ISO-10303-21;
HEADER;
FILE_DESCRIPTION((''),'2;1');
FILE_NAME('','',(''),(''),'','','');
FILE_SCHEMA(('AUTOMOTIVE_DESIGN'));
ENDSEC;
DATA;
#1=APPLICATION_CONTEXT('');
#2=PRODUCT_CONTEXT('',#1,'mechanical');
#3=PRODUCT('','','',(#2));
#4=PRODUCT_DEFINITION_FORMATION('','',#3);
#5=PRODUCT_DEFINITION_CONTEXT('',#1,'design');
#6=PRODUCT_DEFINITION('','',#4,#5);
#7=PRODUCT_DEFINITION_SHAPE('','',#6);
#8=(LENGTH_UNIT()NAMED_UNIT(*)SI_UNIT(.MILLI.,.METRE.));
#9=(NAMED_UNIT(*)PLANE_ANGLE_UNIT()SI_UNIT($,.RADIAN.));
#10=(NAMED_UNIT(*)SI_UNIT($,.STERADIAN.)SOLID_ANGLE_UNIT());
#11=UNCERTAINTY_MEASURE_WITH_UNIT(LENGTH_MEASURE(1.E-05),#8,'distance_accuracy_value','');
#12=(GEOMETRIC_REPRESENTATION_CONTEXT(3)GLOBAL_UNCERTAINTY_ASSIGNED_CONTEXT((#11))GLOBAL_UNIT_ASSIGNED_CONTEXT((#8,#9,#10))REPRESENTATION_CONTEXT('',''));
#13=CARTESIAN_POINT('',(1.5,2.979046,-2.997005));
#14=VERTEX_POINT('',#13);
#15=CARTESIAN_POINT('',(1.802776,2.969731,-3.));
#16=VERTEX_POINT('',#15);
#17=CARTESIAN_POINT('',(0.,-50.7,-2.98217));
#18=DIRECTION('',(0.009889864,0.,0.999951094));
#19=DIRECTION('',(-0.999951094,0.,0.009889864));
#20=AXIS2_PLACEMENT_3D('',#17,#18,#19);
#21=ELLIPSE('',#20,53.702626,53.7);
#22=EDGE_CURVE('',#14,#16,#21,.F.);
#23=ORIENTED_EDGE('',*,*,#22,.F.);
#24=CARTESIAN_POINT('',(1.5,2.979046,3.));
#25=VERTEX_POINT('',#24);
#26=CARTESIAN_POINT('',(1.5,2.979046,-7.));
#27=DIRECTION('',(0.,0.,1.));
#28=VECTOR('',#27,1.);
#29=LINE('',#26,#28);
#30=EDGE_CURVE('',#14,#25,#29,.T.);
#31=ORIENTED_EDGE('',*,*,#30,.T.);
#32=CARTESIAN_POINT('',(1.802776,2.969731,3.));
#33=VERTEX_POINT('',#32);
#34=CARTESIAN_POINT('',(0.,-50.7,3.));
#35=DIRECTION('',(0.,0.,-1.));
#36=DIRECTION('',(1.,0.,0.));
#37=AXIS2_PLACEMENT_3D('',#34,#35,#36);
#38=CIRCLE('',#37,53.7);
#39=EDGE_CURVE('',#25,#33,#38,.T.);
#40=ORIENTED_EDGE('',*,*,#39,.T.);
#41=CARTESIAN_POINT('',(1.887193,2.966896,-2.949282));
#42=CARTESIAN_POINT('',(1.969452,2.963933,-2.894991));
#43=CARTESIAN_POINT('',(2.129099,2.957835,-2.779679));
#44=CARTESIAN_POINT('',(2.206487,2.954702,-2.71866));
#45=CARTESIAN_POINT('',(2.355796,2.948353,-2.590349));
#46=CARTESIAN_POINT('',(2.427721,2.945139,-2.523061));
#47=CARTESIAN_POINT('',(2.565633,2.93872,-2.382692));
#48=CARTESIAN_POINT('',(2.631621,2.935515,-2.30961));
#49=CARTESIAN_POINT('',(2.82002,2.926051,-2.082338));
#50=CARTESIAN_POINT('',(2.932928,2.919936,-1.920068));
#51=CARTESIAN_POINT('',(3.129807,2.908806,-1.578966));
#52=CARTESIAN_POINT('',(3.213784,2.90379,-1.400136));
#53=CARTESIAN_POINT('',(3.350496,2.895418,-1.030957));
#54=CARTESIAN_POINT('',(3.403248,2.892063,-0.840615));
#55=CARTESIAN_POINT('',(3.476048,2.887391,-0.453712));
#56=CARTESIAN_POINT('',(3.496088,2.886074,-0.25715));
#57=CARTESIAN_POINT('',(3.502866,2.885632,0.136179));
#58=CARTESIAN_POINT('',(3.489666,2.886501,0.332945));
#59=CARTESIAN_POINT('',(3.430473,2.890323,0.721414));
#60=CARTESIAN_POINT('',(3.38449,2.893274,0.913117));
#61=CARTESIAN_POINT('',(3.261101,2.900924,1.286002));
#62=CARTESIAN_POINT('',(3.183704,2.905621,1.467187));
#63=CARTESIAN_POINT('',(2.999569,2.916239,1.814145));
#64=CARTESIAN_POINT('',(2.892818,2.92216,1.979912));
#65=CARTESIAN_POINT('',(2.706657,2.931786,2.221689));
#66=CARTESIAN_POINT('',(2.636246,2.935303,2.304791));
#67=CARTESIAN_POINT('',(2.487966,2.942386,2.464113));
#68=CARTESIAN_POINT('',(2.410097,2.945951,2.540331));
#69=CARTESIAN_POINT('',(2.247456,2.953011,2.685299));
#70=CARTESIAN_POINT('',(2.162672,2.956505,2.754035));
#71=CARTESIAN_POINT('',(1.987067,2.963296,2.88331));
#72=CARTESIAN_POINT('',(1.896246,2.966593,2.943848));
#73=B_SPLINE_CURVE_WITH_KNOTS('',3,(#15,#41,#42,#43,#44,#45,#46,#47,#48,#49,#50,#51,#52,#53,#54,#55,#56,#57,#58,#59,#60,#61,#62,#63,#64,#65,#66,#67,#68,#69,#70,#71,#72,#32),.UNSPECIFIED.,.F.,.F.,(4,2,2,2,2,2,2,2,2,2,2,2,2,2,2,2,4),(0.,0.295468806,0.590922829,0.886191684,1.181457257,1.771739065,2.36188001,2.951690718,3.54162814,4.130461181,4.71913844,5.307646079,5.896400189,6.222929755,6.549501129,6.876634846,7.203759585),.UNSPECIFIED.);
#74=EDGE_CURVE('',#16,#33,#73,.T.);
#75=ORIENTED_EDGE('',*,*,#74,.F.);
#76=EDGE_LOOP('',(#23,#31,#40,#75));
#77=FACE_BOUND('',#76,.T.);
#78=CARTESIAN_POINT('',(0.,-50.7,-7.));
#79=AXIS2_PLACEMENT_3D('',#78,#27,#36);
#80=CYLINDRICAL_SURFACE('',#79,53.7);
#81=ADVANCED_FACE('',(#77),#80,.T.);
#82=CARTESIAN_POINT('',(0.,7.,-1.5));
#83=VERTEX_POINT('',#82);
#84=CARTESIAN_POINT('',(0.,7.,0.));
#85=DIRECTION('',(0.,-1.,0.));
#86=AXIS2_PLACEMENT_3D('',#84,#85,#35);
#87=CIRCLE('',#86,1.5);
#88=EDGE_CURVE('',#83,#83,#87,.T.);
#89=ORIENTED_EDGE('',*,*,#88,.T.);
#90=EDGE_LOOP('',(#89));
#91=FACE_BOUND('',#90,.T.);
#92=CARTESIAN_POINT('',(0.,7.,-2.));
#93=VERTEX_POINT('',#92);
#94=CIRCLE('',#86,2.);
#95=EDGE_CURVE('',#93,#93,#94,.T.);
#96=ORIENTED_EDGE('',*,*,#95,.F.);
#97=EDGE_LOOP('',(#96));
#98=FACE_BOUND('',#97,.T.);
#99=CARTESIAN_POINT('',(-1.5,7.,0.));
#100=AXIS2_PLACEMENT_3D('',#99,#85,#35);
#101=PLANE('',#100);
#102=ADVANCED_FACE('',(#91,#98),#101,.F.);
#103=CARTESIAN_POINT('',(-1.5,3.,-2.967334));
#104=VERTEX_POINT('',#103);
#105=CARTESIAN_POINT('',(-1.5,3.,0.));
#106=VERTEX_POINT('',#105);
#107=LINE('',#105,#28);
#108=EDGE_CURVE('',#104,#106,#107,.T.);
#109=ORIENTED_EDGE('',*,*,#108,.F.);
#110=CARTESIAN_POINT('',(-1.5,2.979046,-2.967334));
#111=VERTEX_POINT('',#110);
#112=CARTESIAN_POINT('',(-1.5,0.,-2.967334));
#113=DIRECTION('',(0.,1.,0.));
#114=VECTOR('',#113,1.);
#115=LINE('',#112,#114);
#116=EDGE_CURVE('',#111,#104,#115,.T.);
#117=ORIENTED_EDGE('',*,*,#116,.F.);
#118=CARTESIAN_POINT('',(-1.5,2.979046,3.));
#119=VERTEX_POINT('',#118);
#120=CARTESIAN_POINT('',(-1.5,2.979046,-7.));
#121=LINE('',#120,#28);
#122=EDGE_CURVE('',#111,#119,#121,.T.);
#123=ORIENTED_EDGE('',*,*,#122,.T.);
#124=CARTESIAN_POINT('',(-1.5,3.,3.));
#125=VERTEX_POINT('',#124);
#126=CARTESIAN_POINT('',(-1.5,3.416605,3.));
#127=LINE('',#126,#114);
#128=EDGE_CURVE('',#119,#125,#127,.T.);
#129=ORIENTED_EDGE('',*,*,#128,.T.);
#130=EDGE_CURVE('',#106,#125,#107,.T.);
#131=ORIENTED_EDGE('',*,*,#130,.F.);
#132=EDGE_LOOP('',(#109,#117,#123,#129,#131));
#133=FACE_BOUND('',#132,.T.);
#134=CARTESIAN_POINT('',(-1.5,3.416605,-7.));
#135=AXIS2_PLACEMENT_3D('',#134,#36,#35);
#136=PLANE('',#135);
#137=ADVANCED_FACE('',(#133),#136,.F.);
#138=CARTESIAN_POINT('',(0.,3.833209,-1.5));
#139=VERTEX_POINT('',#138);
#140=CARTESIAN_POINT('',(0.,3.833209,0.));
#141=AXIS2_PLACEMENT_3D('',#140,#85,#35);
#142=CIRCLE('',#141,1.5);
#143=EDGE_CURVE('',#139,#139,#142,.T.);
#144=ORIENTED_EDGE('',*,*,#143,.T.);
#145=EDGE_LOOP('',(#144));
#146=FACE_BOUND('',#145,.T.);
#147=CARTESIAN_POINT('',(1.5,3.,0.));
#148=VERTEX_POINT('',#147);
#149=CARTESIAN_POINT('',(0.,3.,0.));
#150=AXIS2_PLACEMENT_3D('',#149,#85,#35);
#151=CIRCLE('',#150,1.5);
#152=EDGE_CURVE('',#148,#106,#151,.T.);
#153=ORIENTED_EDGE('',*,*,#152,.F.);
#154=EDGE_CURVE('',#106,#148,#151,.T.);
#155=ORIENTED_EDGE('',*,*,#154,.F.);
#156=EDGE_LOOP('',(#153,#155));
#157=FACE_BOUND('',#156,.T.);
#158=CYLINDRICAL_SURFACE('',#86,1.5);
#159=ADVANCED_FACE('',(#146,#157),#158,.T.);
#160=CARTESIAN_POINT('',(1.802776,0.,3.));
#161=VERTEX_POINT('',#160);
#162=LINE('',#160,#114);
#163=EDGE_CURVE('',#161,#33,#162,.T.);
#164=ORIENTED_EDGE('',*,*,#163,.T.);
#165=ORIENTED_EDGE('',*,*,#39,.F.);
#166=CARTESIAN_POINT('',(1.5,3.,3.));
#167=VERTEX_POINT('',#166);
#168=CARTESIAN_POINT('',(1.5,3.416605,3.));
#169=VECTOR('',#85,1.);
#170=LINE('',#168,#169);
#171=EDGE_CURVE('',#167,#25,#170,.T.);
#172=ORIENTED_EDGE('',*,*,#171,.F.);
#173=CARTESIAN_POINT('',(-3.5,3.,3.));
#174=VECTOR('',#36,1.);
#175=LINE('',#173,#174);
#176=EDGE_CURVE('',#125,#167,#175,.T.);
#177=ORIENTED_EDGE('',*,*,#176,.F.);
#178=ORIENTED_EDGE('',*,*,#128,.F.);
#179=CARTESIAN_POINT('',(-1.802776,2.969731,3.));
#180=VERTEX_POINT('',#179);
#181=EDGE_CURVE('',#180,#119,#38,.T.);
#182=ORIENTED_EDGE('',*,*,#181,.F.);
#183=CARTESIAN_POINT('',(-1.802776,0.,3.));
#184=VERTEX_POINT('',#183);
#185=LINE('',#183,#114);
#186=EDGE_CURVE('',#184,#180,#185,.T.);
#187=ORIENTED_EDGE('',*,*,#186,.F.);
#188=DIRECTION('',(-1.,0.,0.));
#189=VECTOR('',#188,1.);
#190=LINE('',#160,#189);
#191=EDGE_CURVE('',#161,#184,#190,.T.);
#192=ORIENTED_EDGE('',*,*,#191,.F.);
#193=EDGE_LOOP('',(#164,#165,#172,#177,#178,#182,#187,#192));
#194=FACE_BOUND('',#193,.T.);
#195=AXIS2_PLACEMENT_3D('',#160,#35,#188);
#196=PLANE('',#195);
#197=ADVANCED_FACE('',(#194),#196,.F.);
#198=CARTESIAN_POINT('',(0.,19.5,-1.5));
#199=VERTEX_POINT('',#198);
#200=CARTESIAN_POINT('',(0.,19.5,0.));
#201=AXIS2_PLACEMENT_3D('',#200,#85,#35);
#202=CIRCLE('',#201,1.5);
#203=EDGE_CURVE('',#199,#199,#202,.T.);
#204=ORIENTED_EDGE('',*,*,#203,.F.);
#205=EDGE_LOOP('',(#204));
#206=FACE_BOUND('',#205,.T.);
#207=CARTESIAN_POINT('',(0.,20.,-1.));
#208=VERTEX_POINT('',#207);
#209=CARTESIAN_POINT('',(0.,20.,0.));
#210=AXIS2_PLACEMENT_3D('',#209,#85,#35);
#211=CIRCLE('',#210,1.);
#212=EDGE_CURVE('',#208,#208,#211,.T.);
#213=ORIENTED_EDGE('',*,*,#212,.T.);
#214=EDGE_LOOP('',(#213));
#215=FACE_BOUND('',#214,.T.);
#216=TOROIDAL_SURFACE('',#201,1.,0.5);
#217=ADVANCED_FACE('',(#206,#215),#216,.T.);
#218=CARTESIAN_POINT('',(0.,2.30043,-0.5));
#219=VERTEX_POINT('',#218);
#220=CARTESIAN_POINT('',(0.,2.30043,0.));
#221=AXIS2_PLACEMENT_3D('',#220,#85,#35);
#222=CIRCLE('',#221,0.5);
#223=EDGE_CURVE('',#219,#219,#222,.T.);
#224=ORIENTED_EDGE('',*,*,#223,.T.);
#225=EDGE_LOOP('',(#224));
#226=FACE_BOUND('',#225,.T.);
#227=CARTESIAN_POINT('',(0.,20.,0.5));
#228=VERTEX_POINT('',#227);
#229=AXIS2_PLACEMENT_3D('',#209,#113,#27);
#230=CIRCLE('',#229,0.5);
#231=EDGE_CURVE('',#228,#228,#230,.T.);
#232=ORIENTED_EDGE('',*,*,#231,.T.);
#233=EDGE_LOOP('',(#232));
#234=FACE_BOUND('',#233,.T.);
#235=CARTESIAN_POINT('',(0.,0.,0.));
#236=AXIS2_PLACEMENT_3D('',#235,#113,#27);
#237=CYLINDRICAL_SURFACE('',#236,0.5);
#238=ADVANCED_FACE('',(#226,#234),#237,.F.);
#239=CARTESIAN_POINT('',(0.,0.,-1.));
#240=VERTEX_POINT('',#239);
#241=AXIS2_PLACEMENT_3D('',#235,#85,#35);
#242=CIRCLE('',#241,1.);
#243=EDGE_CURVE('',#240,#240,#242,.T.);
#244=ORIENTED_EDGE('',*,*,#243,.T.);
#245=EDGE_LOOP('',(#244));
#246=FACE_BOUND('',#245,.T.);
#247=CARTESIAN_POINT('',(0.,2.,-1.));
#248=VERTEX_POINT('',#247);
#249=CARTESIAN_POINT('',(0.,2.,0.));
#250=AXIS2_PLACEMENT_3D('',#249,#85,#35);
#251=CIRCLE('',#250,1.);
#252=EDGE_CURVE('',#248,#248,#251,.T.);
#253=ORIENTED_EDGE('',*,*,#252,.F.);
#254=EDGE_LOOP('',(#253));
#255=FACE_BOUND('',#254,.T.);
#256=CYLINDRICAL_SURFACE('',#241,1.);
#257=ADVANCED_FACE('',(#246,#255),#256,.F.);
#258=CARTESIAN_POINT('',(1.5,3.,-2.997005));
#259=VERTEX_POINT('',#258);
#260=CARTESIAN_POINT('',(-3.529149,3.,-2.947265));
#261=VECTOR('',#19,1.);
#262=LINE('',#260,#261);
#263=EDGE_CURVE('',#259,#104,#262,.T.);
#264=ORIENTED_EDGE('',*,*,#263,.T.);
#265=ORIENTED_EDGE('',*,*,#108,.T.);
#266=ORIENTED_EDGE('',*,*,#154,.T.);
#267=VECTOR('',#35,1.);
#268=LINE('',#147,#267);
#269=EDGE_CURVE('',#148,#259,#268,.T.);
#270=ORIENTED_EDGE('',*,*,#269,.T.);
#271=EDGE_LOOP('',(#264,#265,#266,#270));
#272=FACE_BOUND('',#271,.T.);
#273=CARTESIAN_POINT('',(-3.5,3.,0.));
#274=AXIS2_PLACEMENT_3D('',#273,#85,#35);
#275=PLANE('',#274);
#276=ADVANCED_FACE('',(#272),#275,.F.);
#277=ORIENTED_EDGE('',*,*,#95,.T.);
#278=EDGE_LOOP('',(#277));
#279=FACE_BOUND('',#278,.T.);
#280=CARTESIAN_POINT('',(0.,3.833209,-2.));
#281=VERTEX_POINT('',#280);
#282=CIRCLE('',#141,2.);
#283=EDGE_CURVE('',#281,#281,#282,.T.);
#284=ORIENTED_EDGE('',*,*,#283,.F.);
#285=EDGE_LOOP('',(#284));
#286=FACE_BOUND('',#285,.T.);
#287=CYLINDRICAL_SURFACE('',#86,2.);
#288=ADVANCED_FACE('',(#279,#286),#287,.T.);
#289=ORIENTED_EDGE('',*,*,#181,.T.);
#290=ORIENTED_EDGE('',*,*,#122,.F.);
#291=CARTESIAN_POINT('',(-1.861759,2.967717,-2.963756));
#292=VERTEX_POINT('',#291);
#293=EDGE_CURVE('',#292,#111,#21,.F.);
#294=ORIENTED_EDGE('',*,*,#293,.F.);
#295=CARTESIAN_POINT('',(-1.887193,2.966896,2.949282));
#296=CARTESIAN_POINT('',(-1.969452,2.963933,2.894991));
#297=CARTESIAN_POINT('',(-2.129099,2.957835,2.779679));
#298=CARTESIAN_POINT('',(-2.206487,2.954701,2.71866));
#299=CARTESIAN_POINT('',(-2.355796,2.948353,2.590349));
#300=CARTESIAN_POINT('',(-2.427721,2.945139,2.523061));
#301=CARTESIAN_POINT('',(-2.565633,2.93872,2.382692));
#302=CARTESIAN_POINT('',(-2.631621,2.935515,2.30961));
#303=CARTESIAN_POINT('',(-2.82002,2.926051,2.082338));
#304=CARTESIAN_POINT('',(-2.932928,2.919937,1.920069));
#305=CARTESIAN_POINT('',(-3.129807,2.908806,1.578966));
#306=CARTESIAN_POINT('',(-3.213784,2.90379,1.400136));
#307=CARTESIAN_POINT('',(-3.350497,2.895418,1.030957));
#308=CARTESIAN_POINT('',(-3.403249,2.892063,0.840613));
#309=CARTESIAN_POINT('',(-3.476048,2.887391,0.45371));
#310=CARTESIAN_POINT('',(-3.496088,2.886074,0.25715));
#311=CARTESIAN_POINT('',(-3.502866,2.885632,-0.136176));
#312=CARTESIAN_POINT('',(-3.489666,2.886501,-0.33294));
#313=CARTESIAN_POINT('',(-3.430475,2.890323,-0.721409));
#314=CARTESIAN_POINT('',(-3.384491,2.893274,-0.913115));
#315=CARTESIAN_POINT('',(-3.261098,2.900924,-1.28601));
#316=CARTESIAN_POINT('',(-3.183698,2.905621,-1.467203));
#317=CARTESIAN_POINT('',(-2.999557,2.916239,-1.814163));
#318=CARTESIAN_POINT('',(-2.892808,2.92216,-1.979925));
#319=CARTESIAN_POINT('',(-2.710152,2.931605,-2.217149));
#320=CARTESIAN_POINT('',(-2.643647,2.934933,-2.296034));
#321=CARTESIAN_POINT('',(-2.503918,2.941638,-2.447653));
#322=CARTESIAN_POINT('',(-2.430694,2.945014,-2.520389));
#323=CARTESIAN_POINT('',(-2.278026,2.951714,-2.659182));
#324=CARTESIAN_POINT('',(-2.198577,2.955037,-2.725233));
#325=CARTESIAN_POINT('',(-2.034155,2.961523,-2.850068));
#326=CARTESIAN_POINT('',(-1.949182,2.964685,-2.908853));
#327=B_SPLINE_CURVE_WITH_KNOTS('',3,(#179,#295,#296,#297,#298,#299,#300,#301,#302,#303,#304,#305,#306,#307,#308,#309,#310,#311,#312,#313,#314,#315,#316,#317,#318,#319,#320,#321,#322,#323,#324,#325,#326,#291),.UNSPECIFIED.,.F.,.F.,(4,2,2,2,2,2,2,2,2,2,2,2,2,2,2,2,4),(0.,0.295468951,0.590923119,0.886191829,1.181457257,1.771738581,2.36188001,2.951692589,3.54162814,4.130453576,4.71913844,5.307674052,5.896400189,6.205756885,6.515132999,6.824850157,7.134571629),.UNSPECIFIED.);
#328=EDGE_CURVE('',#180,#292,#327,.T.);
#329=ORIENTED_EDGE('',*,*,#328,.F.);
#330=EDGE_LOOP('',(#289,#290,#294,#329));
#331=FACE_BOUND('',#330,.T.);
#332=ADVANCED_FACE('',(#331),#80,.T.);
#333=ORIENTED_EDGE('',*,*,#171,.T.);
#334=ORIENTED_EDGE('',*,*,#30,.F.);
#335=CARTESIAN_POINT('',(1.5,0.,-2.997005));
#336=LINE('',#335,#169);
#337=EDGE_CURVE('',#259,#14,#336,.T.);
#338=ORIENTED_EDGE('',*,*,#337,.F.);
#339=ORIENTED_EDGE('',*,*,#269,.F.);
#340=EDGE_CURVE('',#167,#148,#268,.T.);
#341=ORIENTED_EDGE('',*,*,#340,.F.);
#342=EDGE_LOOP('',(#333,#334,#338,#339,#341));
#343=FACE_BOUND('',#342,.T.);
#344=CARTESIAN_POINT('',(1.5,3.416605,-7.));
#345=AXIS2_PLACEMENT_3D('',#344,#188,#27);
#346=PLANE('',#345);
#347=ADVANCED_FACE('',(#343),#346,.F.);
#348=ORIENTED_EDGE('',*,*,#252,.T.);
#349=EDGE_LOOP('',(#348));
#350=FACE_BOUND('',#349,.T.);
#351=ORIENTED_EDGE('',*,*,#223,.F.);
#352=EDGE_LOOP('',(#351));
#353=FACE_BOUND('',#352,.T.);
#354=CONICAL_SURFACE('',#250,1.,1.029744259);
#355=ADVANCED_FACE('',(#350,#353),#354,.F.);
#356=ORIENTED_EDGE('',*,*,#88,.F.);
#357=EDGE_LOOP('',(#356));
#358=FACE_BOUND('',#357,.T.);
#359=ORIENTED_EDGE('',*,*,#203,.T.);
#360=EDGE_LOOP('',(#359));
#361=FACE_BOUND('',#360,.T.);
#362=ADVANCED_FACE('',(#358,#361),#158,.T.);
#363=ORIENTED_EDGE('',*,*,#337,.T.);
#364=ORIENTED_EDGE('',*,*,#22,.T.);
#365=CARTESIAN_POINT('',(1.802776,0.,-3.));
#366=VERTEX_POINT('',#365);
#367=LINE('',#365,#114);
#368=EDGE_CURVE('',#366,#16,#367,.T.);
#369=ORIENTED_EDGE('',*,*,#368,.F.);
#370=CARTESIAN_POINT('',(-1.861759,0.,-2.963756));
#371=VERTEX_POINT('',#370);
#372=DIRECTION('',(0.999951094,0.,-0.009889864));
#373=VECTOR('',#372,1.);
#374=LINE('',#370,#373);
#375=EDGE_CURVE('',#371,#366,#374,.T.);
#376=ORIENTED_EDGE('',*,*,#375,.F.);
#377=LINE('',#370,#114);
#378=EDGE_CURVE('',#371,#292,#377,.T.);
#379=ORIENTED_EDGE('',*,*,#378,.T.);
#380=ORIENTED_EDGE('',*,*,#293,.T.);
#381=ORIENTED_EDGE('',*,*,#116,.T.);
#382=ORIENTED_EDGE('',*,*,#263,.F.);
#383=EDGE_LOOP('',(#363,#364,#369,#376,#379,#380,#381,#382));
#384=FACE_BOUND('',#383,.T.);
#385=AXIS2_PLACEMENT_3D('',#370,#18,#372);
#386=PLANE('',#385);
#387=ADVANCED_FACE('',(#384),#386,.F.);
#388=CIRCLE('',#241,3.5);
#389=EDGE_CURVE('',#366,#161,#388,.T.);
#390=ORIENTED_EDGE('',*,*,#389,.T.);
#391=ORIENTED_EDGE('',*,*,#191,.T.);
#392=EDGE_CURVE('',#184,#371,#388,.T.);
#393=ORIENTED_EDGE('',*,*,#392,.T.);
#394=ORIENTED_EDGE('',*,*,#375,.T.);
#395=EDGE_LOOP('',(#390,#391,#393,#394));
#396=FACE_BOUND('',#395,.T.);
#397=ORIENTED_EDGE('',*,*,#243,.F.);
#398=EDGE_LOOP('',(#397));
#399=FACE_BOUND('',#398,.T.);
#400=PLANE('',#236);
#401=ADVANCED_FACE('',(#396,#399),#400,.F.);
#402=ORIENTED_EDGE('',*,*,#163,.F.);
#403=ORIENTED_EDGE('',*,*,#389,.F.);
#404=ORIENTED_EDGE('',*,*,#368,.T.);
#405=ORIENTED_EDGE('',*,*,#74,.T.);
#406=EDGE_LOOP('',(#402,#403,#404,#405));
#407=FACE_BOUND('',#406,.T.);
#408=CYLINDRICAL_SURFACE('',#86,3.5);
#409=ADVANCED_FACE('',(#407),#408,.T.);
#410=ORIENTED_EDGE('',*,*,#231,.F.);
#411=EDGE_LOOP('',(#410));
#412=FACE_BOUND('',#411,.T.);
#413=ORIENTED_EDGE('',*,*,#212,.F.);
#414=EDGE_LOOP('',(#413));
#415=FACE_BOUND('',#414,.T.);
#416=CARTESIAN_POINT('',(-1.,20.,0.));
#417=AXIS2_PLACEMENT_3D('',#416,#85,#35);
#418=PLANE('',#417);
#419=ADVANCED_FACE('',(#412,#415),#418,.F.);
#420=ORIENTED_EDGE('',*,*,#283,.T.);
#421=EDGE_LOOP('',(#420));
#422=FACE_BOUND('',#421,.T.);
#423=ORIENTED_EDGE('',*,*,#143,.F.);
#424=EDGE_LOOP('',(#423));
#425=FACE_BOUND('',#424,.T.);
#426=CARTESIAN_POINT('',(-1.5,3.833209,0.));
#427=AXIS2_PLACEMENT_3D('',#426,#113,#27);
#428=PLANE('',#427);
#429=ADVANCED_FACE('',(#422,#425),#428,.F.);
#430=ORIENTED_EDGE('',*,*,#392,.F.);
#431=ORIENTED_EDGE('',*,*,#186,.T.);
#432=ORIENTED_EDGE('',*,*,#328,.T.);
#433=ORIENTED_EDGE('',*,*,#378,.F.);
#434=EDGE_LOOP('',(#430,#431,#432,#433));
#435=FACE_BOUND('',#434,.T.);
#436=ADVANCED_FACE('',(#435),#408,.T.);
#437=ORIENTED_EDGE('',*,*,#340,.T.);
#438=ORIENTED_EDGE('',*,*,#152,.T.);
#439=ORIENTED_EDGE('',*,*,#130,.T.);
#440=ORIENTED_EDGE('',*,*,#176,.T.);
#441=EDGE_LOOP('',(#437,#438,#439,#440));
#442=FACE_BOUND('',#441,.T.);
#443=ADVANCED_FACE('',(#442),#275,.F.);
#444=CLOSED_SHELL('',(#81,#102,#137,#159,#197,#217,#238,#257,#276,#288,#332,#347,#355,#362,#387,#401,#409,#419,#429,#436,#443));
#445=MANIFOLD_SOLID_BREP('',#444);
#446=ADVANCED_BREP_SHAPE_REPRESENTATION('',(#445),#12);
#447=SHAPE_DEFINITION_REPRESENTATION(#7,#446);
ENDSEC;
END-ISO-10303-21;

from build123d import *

# Parameters (mm, degrees)
SKETCH2_R                 = 0.5
CUT_EXTRUDE2_DEPTH        = 21.603397778
F_2_0MM_DOWEL_HOLE1_D     = 2
F_2_0MM_DOWEL_HOLE1_DEPTH = 2
F_2_0MM_DOWEL_HOLE1_TIP   = 0.600860619
CUT_EXTRUDE3_DEPTH        = 21.603397778
CUT_EXTRUDE4_DEPTH        = 10


with BuildPart() as part:
    # Sketch1 → Revolve2 (revolve)
    with BuildSketch(Plane.XY, mode=Mode.PRIVATE) as revolve2_sk:
        with BuildLine():
            Line((0, 0), (-3.5, 0))
            Line((-3.5, 0), (-3.5, 3))
            Line((-3.5, 3), (-1.5, 3))
            Line((-1.5, 3), (-1.5, 3.833209081))
            Line((-1.5, 3.833209081), (-2, 3.833209081))
            Line((-2, 3.833209081), (-2, 7))
            Line((-2, 7), (-1.5, 7))
            Line((-1.5, 7), (-1.5, 19.5))
            ThreePointArc((-1.5, 19.5), (-1.353553391, 19.853553391), (-1, 20))
            Line((-1, 20), (0, 20))
            Line((0, 20), (0, 0))
        make_face()
    revolve(revolve2_sk.sketch.rotate(Axis((0, 7, 0), (0, 1, 0)), 270), axis=Axis((0, 7, 0), (0, 1, 0)))

    # Sketch2 → Cut-Extrude2 (cut, through all)
    with BuildSketch(Plane(origin=(0, 20, 0), x_dir=(1, 0, 0), z_dir=(0, 1, 0))):
        with Locations(Location((0, 0, 0), (0, 0, 270))):
            Circle(SKETCH2_R)
    extrude(amount=-CUT_EXTRUDE2_DEPTH, mode=Mode.SUBTRACT)

    # Ø2.0mm Dowel Hole1
    with Locations(Plane(origin=(0, 0, 0), x_dir=(-1, 0, 0), z_dir=(0, -1, 0))):
        with Locations((0, 0)):
            Hole(F_2_0MM_DOWEL_HOLE1_D / 2, depth=F_2_0MM_DOWEL_HOLE1_DEPTH)
            with Locations((0, 0, -(F_2_0MM_DOWEL_HOLE1_DEPTH + F_2_0MM_DOWEL_HOLE1_TIP / 2))):  # 118° drill point
                Cone(0, F_2_0MM_DOWEL_HOLE1_D / 2, F_2_0MM_DOWEL_HOLE1_TIP, mode=Mode.SUBTRACT)

    # Sketch6 → Cut-Extrude3 (cut, through all)
    with BuildSketch(Plane(origin=(0, 20, 0), x_dir=(1, 0, 0), z_dir=(0, 1, 0))):
        with BuildLine():
            Line((1.802775638, -3), (-1.802775638, -3))
            ThreePointArc((-1.802775638, -3), (0, -3.5), (1.802775638, -3))
        make_face()
        with BuildLine():
            Line((-1.861759264, 2.963756475), (1.802775638, 3))
            ThreePointArc((1.802775638, 3), (-0.034614525, 3.499828829), (-1.861759264, 2.963756475))
        make_face()
    extrude(amount=-CUT_EXTRUDE3_DEPTH, mode=Mode.SUBTRACT)

    # Sketch7 → Cut-Extrude4 (cut)
    with BuildSketch(Plane.XY.offset(3)):
        with BuildLine():
            Line((-6.314985728, 2.627394042), (-6.005388139, 3.404344388))
            Line((-6.005388139, 3.404344388), (-1.5, 3.41660454))
            Line((-1.5, 3.41660454), (-1.5, 2.979046191))
            ThreePointArc((-1.5, 2.979046191), (-3.9114467, 2.857357895), (-6.314985728, 2.627394042))
        make_face()
        with BuildLine():
            Line((5.565529025, 2.710812451), (5.565529025, 3.41660454))
            Line((5.565529025, 3.41660454), (1.5, 3.41660454))
            Line((1.5, 3.41660454), (1.5, 2.979046191))
            ThreePointArc((1.5, 2.979046191), (3.535309383, 2.883501076), (5.565529025, 2.710812451))
        make_face()
    extrude(amount=-CUT_EXTRUDE4_DEPTH, mode=Mode.SUBTRACT)


solid = part.part
